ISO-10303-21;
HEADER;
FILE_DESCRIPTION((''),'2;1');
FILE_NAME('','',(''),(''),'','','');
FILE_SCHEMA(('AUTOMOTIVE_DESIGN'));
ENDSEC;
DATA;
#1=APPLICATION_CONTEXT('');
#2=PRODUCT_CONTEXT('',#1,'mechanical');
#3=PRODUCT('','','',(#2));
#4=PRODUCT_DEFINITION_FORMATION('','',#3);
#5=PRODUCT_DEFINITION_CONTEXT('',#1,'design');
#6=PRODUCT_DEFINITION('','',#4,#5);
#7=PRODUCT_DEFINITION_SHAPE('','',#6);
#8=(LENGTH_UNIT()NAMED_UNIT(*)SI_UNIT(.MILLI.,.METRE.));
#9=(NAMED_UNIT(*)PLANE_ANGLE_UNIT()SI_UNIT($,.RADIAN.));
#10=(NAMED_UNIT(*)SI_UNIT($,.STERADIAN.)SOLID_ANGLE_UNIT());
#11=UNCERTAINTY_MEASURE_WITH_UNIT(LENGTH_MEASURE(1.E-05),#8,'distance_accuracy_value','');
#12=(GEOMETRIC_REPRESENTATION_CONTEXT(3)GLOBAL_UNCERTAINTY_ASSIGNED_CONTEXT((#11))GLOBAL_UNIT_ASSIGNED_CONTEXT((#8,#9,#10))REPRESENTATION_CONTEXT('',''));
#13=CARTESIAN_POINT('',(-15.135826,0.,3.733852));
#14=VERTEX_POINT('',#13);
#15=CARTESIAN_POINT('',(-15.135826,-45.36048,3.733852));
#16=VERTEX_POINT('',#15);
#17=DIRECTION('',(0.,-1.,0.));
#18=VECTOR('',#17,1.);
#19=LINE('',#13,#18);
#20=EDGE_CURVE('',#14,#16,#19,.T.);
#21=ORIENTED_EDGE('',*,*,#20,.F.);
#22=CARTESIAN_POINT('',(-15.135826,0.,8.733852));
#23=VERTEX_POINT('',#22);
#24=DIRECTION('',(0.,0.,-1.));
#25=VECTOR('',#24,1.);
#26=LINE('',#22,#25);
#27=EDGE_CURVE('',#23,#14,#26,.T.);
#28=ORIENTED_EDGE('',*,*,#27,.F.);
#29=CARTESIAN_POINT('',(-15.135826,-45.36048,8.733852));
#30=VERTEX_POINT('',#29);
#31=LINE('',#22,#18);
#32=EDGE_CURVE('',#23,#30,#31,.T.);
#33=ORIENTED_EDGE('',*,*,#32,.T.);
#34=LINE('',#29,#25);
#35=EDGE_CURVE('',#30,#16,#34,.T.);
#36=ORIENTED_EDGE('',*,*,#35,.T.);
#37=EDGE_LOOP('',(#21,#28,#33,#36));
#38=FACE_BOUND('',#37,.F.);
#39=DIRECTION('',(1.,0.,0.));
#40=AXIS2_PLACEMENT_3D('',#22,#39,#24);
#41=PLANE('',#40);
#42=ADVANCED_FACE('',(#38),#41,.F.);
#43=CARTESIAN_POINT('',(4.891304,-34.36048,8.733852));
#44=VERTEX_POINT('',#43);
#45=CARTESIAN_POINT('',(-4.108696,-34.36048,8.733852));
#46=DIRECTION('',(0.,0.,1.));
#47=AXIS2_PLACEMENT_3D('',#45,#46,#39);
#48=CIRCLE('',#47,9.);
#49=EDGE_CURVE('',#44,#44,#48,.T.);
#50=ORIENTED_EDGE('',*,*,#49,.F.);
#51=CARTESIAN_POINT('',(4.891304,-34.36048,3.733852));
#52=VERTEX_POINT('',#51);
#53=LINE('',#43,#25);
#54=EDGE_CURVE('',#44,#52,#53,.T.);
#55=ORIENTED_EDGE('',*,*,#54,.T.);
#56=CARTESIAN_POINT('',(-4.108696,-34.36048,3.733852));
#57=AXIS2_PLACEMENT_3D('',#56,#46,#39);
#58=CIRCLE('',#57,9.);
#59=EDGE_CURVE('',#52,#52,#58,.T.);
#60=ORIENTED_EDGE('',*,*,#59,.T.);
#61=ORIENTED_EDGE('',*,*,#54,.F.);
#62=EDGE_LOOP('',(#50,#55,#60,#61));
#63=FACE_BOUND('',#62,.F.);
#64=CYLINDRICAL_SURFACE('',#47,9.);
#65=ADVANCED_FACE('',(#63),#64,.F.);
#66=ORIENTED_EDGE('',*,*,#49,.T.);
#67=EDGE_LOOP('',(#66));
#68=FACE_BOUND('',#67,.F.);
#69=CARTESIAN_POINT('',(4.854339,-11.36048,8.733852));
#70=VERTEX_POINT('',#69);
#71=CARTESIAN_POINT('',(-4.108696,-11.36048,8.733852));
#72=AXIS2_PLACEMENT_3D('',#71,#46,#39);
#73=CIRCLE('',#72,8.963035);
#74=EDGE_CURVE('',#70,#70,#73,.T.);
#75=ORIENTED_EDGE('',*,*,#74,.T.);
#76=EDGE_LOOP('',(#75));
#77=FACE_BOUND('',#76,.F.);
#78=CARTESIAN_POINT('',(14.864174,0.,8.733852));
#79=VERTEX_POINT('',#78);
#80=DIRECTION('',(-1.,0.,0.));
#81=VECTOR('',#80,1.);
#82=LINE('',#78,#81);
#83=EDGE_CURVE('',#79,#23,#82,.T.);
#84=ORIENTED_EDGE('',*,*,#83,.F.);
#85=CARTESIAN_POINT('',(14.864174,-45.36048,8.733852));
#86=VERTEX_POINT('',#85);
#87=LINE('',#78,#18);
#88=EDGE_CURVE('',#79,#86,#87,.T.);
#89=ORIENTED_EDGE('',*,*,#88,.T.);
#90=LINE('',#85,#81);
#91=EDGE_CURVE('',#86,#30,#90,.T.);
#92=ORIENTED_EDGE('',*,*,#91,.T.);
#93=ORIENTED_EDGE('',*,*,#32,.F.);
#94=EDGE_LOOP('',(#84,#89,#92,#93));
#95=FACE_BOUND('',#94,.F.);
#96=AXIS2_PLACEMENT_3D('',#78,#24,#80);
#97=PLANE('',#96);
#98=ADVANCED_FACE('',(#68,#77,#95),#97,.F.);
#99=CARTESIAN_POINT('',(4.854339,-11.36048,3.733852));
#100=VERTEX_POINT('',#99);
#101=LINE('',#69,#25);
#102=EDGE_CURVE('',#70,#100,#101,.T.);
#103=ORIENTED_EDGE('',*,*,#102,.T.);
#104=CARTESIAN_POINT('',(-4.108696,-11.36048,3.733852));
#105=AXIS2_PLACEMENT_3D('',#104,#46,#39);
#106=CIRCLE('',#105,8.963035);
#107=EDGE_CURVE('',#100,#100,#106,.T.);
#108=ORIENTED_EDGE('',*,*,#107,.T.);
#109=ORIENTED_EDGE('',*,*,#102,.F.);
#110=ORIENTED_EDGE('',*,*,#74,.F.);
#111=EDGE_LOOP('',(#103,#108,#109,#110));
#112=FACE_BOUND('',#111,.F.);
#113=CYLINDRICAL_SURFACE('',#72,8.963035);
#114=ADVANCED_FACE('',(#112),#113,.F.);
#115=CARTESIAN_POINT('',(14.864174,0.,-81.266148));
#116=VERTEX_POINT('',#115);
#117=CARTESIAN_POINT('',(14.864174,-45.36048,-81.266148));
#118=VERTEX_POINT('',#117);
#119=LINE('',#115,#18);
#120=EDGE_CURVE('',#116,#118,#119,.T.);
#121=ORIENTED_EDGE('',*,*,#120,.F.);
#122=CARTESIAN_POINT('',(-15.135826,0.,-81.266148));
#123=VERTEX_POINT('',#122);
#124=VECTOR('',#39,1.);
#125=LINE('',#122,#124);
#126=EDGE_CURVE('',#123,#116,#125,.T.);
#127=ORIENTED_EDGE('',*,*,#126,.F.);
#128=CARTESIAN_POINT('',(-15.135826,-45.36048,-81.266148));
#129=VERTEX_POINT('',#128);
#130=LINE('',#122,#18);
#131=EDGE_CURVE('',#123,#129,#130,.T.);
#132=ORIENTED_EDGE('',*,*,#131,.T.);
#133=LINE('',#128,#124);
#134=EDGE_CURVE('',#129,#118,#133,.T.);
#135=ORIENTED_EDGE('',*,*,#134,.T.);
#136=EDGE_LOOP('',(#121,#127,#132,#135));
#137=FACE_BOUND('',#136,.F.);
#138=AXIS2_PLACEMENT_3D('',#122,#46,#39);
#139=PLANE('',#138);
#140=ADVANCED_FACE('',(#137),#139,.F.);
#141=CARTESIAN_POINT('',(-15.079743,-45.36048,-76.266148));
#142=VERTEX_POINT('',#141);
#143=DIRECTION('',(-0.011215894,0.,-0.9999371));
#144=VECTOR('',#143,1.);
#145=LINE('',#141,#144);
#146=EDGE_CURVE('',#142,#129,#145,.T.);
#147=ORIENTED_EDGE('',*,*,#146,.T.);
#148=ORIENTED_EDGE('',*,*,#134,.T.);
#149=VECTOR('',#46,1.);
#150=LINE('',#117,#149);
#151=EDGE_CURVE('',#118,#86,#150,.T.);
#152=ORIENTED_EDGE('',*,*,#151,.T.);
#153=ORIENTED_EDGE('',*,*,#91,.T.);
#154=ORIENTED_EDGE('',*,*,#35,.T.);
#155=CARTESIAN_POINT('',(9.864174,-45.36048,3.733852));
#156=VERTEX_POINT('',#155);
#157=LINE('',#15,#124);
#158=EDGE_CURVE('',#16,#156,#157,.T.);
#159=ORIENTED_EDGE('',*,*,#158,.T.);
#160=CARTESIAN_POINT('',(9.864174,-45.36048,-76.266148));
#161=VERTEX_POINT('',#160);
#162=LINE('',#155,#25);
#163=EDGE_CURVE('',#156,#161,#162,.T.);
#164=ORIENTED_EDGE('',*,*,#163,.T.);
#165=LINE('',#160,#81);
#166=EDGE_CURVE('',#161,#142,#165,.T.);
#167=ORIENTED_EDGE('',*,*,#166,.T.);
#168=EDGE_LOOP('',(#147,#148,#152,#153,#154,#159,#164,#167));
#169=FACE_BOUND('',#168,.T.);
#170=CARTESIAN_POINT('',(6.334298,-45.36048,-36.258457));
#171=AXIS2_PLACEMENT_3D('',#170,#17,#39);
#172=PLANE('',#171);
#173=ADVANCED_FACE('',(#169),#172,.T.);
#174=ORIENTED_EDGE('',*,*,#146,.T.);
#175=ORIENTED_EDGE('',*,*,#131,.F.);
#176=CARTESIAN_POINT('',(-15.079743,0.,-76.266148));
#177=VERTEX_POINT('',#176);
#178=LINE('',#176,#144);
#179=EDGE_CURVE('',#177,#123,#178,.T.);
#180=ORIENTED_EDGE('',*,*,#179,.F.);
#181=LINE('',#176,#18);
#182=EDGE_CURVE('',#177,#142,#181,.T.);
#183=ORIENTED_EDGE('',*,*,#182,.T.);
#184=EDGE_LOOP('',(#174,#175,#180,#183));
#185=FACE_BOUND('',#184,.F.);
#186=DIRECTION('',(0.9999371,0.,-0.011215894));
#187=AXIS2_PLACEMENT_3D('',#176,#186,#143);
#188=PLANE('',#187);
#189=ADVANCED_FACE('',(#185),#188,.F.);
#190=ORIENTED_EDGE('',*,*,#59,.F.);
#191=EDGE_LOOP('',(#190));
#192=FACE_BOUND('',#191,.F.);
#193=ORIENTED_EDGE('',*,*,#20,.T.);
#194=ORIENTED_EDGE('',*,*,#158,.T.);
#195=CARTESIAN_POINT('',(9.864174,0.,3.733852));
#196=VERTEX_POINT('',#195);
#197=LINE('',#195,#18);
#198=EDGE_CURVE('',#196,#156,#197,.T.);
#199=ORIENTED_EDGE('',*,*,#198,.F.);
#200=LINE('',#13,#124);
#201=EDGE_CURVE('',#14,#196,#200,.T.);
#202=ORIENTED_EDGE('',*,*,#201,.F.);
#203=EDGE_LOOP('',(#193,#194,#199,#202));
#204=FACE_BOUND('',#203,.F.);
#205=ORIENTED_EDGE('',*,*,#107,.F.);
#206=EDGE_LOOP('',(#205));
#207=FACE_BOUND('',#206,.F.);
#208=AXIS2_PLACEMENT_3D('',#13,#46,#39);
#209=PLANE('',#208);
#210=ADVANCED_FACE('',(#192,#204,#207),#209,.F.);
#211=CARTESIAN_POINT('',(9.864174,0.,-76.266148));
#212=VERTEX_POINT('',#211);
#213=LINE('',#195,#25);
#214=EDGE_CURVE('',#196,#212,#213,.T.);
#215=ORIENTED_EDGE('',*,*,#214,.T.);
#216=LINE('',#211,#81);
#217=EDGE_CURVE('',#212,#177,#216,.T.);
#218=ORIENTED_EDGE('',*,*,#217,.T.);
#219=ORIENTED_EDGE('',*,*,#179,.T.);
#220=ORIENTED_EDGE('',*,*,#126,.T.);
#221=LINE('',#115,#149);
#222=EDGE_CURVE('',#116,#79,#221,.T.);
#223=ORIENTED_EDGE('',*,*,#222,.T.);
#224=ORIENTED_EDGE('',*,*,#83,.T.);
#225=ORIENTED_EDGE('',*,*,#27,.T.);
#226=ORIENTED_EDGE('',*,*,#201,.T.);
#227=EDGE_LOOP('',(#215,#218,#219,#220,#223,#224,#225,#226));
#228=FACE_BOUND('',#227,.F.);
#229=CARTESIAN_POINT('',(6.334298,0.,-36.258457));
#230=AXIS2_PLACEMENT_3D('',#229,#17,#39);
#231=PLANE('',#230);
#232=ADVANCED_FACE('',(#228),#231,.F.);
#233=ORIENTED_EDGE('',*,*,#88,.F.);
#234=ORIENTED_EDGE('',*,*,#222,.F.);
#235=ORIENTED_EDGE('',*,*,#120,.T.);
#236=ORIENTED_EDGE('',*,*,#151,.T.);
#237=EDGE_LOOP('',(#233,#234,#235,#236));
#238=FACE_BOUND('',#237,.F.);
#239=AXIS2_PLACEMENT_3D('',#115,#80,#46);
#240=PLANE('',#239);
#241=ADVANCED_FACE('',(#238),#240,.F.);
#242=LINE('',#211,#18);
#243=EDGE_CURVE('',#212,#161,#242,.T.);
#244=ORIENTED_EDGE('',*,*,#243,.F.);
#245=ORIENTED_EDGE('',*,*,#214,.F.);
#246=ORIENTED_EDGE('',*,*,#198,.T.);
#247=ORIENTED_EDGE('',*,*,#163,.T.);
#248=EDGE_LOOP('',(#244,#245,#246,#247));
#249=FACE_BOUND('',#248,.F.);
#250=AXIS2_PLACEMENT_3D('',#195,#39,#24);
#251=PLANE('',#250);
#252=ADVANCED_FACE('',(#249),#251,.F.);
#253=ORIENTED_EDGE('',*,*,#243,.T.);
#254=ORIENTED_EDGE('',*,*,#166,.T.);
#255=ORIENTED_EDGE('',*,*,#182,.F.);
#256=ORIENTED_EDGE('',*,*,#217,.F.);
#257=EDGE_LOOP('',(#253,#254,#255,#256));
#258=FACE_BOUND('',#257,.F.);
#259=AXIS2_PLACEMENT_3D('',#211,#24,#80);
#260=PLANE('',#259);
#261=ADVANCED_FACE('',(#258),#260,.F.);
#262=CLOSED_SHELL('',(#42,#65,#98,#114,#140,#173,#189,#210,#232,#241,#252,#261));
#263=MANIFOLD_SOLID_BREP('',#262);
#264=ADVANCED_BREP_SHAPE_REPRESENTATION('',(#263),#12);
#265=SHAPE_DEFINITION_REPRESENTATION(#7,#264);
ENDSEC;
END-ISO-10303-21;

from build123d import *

# Parameters (mm, degrees)
F2_DEPTH = 45.36048
F3_R     = 9
F3_R_2   = 8.963035
F4_DEPTH = 59.16246


with BuildPart() as f2:
    # F1 (on Front) → F2 (new body)
    with BuildSketch(Plane.XZ):
        Polygon((-15.135826, 8.733852), (-15.135826, 3.733852), (9.864174, 3.733852), (9.864174, -76.266148), (-15.079743, -76.266148), (-15.135826, -81.266148), (14.864174, -81.266148), (14.864174, 8.733852), align=None)
    extrude(amount=F2_DEPTH)

    # F3 (on face) → F4 (cut)
    with BuildSketch(Plane.XY.offset(8.733852)):
        with Locations((-4.108696, -34.36048)):
            Circle(F3_R)
        with Locations((-4.108696, -11.36048)):
            Circle(F3_R_2)
    extrude(amount=-F4_DEPTH, mode=Mode.SUBTRACT)


solid = f2.part
